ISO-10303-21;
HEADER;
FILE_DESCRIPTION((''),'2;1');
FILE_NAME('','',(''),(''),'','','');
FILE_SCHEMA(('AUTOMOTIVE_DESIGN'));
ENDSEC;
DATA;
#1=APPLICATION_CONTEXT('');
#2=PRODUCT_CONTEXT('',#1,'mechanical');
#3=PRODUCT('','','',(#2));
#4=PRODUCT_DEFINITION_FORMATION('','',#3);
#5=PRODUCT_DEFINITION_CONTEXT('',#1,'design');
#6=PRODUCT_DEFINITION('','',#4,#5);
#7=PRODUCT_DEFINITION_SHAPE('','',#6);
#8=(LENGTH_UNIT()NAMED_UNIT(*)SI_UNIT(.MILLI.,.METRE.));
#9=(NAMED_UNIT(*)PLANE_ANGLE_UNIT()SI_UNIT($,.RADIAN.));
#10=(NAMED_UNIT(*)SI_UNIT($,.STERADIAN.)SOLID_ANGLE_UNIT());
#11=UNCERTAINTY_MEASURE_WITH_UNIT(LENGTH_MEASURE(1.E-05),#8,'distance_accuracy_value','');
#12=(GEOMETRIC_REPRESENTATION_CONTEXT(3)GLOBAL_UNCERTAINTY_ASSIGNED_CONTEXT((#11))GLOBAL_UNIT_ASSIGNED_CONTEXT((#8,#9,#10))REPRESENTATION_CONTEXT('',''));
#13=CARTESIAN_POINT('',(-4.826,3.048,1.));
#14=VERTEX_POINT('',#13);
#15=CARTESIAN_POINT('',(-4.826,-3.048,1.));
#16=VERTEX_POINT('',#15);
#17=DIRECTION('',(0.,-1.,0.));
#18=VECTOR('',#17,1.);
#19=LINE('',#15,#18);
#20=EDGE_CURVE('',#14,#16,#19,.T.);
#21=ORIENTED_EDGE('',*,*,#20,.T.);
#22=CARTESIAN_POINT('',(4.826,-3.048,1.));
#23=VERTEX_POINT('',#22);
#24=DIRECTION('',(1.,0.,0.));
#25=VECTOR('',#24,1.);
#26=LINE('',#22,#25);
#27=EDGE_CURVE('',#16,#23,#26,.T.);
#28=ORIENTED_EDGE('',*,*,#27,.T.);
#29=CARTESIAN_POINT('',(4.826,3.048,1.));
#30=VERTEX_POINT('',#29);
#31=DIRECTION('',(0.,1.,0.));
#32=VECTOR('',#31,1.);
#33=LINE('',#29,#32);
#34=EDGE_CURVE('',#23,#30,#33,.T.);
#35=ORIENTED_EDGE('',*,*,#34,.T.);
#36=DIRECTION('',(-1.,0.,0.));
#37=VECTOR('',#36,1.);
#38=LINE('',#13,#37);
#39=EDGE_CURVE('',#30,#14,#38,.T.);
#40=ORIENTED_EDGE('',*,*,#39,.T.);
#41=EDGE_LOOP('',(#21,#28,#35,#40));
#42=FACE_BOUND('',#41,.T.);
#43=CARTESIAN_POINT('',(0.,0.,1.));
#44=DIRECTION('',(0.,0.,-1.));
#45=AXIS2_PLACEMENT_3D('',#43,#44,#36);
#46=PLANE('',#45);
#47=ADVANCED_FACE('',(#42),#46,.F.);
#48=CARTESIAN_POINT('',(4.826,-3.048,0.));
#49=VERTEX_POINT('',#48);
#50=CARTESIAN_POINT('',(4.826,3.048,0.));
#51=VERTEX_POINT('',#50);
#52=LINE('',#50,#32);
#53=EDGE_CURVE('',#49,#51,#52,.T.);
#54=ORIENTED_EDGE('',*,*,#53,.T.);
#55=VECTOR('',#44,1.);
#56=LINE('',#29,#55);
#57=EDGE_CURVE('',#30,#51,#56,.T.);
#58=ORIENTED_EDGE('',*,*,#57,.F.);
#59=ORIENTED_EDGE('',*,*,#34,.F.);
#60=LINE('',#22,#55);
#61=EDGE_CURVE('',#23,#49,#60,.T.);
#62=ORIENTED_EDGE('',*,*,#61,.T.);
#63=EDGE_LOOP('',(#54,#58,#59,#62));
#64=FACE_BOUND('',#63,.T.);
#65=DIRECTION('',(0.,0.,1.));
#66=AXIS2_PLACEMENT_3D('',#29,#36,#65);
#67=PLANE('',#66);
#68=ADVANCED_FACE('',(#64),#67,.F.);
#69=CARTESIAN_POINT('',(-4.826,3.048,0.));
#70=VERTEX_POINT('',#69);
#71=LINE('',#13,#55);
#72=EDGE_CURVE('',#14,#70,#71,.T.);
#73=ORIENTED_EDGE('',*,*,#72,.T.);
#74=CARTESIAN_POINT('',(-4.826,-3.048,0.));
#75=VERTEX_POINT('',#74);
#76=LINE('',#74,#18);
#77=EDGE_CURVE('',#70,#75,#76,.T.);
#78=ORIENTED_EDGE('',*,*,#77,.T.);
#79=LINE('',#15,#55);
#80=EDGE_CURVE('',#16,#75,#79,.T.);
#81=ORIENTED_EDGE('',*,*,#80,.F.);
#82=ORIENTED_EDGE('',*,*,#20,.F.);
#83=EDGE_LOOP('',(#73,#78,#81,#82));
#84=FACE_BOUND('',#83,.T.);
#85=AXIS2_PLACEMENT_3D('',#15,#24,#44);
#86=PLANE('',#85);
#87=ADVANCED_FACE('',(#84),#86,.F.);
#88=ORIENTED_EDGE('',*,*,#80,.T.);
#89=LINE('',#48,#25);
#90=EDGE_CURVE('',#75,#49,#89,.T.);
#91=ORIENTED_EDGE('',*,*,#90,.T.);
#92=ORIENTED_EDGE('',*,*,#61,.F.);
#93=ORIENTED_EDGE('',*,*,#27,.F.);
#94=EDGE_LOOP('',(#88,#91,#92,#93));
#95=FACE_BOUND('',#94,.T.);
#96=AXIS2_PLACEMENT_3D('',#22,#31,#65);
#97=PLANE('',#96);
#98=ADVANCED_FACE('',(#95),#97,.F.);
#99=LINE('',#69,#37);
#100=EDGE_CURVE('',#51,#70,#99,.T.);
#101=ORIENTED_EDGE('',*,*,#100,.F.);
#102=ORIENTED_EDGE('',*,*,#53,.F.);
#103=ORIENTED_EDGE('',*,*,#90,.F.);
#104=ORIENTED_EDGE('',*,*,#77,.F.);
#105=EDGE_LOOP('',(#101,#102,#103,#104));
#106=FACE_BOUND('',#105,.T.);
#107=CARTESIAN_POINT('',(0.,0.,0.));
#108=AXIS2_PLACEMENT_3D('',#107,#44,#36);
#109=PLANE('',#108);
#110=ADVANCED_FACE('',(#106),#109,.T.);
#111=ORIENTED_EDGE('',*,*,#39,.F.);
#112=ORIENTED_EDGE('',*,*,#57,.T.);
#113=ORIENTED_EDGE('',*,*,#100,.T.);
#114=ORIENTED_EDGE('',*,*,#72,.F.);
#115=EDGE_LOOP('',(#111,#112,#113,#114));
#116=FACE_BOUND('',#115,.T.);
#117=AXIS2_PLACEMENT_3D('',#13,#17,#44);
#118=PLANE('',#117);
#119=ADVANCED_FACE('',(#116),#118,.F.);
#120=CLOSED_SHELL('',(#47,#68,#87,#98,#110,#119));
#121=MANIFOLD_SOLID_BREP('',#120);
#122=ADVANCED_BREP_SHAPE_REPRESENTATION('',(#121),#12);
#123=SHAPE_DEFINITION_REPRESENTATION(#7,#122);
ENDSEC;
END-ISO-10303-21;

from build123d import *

# Parameters (mm, degrees)
SKETCH1_W               = 9.652
SKETCH1_H               = 6.096
COMPONENT_OUTLINE_DEPTH = 1


with BuildPart() as part:
    # Sketch1 → Component_Outline (new body)
    with BuildSketch(Plane.XY):
        Rectangle(SKETCH1_W, SKETCH1_H)
    extrude(amount=COMPONENT_OUTLINE_DEPTH)


solid = part.part
